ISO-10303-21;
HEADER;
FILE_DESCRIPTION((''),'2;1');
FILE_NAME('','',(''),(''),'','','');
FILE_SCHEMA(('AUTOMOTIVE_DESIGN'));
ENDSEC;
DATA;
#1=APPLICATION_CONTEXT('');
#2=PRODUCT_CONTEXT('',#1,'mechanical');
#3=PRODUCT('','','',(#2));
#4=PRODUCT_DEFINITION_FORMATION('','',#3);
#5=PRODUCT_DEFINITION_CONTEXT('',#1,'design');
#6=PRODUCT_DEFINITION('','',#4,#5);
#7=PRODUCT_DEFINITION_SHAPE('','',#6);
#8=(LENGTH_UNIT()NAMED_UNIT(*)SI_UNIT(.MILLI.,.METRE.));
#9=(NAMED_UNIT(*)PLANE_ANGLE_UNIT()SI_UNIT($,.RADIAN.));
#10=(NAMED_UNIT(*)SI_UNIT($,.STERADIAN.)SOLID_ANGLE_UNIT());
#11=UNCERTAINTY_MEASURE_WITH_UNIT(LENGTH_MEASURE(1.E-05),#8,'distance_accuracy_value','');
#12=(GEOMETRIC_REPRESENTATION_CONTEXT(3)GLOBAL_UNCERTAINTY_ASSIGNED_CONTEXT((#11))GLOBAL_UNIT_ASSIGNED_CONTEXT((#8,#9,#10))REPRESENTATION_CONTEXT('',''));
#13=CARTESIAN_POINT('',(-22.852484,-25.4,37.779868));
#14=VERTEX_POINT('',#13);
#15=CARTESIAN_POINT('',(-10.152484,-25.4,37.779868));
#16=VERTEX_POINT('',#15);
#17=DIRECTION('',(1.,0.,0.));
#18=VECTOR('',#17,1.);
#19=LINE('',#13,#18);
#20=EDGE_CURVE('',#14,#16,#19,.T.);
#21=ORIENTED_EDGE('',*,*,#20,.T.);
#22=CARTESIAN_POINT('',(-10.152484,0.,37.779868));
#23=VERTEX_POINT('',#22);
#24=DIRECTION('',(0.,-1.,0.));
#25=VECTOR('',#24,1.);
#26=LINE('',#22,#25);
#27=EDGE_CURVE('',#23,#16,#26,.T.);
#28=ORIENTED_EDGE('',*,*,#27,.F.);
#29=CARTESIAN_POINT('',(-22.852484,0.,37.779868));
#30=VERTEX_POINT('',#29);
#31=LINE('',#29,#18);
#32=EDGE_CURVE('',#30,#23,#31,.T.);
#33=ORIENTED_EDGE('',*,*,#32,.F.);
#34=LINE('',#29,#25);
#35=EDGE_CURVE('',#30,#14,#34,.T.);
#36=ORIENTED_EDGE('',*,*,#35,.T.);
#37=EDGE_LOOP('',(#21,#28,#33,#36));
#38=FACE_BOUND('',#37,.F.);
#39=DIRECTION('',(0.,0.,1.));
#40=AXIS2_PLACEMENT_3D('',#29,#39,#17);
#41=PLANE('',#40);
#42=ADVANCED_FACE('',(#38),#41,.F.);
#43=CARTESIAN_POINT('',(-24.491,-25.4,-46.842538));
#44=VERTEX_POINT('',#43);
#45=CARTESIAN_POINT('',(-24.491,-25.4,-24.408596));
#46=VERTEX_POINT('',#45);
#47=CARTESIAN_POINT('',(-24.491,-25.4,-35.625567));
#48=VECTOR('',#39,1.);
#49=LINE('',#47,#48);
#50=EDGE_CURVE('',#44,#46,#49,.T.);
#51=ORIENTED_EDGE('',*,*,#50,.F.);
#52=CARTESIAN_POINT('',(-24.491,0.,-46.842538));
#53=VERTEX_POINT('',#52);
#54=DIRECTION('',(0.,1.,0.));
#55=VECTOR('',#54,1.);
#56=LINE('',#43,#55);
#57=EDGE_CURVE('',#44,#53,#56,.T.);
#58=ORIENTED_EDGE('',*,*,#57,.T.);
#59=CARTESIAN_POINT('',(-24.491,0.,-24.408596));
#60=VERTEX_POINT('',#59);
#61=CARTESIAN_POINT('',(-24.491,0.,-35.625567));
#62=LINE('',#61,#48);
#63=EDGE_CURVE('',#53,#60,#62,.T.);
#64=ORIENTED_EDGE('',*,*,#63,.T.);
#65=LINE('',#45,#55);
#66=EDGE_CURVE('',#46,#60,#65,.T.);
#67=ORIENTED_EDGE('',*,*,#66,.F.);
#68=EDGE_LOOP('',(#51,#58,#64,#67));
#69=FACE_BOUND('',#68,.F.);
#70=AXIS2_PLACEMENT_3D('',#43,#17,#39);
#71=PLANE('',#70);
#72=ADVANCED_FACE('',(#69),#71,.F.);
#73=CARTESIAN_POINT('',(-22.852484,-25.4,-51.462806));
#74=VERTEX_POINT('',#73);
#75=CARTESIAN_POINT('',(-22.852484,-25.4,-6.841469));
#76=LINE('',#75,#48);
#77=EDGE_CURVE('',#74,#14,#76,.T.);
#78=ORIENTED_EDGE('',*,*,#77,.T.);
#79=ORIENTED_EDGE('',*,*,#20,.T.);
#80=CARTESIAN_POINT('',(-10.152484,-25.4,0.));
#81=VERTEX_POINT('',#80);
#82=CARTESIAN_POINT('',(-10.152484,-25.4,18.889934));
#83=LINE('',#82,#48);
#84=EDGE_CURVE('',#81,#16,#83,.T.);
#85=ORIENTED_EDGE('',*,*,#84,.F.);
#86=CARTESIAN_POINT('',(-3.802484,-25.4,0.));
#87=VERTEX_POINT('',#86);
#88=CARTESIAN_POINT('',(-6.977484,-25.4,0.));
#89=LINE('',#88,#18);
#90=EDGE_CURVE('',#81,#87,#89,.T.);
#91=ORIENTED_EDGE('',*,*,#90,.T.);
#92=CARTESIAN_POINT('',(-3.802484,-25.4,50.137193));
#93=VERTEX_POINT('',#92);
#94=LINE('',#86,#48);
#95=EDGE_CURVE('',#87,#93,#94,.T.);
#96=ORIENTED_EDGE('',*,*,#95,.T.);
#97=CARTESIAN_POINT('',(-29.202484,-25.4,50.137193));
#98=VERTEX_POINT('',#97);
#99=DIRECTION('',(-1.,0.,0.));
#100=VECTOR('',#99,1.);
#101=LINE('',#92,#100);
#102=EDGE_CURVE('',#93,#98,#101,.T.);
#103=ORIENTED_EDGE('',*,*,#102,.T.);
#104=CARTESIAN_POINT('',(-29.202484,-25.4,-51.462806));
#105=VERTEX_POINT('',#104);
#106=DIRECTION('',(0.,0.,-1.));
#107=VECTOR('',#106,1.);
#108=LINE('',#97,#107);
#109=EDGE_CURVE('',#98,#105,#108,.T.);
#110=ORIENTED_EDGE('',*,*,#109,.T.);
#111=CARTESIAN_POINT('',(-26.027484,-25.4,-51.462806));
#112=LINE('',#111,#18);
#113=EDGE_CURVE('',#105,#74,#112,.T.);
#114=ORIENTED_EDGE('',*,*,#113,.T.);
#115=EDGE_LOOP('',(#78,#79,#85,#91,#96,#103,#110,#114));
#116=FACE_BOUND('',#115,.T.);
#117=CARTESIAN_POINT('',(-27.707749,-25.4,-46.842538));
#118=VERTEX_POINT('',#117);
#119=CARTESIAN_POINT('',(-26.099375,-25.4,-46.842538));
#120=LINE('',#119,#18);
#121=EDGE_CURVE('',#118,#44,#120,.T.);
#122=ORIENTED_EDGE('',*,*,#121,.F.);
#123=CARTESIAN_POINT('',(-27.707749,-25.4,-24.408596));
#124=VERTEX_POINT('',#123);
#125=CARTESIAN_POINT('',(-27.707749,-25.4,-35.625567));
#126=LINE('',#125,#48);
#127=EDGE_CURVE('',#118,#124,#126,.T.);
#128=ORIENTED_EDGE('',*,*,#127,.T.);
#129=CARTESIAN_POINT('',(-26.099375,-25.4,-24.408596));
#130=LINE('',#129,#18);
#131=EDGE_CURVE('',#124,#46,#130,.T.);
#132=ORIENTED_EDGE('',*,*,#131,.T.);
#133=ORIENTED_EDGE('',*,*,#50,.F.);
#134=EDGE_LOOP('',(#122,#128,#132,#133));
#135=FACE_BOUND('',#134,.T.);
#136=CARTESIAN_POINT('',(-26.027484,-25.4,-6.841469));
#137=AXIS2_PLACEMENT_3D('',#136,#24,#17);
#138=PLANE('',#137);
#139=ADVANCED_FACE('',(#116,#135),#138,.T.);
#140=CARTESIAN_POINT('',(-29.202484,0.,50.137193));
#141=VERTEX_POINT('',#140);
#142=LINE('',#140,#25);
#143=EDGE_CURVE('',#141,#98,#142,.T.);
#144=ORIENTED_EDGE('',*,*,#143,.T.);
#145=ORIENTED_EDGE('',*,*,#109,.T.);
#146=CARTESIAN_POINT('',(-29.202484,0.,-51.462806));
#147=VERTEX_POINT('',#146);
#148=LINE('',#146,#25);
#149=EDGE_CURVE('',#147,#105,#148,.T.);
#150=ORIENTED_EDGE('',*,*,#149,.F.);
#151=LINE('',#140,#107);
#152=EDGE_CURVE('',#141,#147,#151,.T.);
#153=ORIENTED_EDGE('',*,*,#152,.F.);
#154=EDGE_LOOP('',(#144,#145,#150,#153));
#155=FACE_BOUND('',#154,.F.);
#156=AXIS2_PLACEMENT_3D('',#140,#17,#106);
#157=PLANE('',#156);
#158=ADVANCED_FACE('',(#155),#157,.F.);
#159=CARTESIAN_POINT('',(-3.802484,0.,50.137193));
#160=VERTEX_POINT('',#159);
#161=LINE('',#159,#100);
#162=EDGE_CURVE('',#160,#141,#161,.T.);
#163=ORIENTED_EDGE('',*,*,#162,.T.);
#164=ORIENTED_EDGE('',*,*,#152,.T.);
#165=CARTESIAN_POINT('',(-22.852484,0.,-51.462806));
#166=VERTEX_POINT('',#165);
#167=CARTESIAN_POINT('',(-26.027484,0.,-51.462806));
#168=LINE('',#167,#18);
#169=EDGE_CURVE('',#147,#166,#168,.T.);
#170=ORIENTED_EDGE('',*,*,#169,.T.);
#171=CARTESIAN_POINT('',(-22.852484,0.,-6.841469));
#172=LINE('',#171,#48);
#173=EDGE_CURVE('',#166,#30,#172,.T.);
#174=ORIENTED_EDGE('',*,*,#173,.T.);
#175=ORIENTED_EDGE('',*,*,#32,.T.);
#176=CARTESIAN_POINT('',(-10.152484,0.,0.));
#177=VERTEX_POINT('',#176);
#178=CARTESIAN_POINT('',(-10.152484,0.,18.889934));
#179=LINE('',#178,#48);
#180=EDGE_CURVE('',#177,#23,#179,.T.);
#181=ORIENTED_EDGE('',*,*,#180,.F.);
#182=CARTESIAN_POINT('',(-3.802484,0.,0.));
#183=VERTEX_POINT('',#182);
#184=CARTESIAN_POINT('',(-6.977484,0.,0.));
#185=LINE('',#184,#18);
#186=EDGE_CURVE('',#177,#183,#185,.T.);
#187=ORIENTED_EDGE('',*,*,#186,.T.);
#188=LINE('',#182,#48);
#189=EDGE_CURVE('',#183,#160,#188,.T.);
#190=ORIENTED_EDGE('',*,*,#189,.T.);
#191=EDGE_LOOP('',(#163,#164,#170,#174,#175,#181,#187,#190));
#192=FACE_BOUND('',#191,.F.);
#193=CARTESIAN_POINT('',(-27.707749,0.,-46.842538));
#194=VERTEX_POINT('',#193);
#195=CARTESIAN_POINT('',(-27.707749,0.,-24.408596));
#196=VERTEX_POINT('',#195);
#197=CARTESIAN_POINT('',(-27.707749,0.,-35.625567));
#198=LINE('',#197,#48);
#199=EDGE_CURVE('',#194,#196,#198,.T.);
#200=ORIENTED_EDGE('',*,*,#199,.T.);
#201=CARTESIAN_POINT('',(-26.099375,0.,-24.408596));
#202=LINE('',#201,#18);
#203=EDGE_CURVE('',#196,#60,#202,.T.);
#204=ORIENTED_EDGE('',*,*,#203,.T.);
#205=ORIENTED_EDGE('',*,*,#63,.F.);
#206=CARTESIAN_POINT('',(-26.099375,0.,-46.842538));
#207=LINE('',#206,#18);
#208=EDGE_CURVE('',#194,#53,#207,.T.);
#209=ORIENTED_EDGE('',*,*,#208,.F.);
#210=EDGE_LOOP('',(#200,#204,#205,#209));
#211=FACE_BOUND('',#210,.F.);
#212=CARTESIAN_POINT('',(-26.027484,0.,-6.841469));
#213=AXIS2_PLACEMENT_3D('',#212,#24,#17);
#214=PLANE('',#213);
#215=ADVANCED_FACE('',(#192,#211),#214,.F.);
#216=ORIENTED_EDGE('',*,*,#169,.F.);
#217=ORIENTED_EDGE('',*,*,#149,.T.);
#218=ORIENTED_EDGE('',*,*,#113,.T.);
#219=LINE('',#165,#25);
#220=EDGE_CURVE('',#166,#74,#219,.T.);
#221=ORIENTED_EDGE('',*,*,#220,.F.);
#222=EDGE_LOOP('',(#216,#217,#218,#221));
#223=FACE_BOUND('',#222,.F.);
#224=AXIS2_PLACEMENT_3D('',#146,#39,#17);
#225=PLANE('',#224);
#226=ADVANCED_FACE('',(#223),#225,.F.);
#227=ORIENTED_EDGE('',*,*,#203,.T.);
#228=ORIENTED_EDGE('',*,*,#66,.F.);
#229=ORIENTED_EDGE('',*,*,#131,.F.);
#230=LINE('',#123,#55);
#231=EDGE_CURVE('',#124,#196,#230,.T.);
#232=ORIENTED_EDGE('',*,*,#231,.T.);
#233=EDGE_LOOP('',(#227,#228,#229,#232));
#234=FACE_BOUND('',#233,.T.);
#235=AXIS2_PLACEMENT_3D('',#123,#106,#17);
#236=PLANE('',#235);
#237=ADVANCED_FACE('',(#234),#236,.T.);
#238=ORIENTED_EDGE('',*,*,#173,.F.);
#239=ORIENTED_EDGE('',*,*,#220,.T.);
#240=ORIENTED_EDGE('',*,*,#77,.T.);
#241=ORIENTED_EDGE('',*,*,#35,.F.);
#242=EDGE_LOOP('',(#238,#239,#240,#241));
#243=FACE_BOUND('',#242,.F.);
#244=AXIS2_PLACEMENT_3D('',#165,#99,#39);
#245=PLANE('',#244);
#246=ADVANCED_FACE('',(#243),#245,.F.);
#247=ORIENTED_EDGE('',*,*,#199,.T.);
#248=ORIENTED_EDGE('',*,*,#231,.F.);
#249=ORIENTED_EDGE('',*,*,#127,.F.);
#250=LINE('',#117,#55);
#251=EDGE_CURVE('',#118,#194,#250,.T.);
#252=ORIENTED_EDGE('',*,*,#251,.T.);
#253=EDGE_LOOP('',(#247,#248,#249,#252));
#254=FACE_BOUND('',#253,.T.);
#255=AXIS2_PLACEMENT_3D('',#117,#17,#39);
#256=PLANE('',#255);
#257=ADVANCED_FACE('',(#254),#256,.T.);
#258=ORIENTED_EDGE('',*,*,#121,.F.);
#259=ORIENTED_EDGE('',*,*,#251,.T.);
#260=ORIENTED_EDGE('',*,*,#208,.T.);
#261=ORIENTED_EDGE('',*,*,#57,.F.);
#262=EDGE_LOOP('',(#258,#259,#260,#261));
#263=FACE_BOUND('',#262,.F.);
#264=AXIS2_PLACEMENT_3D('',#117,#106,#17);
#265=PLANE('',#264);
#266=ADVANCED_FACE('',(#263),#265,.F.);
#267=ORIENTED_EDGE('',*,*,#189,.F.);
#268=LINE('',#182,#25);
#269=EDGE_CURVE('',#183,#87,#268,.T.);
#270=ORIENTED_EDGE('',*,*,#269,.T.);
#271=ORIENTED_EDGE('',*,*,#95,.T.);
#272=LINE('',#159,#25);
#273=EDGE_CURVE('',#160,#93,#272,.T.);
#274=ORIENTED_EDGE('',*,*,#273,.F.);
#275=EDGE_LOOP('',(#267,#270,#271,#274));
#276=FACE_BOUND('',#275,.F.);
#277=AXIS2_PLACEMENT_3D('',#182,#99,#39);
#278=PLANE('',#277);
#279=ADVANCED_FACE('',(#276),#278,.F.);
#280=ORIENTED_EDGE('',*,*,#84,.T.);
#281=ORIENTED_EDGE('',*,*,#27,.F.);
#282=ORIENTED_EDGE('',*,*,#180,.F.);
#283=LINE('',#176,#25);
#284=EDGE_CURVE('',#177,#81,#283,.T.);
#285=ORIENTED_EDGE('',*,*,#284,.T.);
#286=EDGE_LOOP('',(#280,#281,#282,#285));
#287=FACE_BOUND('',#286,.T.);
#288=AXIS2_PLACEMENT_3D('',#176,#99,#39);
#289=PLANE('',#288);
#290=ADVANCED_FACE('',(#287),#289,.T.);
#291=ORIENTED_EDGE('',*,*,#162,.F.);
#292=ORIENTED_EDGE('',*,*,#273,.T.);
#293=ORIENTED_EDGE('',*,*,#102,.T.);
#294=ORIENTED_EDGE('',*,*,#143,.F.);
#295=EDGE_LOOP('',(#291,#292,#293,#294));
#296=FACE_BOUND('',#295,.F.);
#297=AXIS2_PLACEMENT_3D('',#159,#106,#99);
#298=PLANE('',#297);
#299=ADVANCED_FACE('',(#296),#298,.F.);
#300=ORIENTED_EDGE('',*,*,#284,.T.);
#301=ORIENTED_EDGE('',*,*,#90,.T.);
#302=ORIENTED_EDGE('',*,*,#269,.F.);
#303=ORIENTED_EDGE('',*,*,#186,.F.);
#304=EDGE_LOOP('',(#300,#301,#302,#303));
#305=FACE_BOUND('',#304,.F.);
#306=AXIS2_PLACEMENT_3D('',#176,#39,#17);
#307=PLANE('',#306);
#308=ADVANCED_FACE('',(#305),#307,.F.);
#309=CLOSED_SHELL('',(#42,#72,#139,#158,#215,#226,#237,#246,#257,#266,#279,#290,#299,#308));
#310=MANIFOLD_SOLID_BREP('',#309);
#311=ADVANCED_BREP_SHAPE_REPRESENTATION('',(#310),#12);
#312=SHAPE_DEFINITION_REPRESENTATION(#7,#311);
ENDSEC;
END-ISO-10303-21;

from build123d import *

# Parameters (mm, degrees)
F0_W     = 6.35
F0_H     = 89.242675
F0_H_2   = 37.779868
F1_DEPTH = 25.4
F2_W     = 3.216749
F2_H     = 22.433942
F3_DEPTH = 25.4


with BuildPart() as f1:
    # F0 (on Front) → F1 (new body)
    with BuildSketch(Plane.XZ):
        with Locations((-26.027484, -6.841469)):
            Rectangle(F0_W, F0_H)
        Polygon((-16.502484, 50.137193), (-29.202484, 50.137193), (-29.202484, 37.779868), (-22.852484, 37.779868), (-16.502484, 37.779868), align=None)
        Polygon((-3.802484, 50.137193), (-16.502484, 50.137193), (-16.502484, 37.779868), (-10.152484, 37.779868), (-3.802484, 37.779868), align=None)
        with Locations((-6.977484, 18.889934)):
            Rectangle(F0_W, F0_H_2)
    extrude(amount=F1_DEPTH)

    # F2 (on face) → F3 (cut)
    with BuildSketch(Plane.XZ.offset(25.4)):
        with Locations((-26.099375, -35.625567)):
            Rectangle(F2_W, F2_H)
    extrude(amount=-F3_DEPTH, mode=Mode.SUBTRACT)


solid = f1.part
